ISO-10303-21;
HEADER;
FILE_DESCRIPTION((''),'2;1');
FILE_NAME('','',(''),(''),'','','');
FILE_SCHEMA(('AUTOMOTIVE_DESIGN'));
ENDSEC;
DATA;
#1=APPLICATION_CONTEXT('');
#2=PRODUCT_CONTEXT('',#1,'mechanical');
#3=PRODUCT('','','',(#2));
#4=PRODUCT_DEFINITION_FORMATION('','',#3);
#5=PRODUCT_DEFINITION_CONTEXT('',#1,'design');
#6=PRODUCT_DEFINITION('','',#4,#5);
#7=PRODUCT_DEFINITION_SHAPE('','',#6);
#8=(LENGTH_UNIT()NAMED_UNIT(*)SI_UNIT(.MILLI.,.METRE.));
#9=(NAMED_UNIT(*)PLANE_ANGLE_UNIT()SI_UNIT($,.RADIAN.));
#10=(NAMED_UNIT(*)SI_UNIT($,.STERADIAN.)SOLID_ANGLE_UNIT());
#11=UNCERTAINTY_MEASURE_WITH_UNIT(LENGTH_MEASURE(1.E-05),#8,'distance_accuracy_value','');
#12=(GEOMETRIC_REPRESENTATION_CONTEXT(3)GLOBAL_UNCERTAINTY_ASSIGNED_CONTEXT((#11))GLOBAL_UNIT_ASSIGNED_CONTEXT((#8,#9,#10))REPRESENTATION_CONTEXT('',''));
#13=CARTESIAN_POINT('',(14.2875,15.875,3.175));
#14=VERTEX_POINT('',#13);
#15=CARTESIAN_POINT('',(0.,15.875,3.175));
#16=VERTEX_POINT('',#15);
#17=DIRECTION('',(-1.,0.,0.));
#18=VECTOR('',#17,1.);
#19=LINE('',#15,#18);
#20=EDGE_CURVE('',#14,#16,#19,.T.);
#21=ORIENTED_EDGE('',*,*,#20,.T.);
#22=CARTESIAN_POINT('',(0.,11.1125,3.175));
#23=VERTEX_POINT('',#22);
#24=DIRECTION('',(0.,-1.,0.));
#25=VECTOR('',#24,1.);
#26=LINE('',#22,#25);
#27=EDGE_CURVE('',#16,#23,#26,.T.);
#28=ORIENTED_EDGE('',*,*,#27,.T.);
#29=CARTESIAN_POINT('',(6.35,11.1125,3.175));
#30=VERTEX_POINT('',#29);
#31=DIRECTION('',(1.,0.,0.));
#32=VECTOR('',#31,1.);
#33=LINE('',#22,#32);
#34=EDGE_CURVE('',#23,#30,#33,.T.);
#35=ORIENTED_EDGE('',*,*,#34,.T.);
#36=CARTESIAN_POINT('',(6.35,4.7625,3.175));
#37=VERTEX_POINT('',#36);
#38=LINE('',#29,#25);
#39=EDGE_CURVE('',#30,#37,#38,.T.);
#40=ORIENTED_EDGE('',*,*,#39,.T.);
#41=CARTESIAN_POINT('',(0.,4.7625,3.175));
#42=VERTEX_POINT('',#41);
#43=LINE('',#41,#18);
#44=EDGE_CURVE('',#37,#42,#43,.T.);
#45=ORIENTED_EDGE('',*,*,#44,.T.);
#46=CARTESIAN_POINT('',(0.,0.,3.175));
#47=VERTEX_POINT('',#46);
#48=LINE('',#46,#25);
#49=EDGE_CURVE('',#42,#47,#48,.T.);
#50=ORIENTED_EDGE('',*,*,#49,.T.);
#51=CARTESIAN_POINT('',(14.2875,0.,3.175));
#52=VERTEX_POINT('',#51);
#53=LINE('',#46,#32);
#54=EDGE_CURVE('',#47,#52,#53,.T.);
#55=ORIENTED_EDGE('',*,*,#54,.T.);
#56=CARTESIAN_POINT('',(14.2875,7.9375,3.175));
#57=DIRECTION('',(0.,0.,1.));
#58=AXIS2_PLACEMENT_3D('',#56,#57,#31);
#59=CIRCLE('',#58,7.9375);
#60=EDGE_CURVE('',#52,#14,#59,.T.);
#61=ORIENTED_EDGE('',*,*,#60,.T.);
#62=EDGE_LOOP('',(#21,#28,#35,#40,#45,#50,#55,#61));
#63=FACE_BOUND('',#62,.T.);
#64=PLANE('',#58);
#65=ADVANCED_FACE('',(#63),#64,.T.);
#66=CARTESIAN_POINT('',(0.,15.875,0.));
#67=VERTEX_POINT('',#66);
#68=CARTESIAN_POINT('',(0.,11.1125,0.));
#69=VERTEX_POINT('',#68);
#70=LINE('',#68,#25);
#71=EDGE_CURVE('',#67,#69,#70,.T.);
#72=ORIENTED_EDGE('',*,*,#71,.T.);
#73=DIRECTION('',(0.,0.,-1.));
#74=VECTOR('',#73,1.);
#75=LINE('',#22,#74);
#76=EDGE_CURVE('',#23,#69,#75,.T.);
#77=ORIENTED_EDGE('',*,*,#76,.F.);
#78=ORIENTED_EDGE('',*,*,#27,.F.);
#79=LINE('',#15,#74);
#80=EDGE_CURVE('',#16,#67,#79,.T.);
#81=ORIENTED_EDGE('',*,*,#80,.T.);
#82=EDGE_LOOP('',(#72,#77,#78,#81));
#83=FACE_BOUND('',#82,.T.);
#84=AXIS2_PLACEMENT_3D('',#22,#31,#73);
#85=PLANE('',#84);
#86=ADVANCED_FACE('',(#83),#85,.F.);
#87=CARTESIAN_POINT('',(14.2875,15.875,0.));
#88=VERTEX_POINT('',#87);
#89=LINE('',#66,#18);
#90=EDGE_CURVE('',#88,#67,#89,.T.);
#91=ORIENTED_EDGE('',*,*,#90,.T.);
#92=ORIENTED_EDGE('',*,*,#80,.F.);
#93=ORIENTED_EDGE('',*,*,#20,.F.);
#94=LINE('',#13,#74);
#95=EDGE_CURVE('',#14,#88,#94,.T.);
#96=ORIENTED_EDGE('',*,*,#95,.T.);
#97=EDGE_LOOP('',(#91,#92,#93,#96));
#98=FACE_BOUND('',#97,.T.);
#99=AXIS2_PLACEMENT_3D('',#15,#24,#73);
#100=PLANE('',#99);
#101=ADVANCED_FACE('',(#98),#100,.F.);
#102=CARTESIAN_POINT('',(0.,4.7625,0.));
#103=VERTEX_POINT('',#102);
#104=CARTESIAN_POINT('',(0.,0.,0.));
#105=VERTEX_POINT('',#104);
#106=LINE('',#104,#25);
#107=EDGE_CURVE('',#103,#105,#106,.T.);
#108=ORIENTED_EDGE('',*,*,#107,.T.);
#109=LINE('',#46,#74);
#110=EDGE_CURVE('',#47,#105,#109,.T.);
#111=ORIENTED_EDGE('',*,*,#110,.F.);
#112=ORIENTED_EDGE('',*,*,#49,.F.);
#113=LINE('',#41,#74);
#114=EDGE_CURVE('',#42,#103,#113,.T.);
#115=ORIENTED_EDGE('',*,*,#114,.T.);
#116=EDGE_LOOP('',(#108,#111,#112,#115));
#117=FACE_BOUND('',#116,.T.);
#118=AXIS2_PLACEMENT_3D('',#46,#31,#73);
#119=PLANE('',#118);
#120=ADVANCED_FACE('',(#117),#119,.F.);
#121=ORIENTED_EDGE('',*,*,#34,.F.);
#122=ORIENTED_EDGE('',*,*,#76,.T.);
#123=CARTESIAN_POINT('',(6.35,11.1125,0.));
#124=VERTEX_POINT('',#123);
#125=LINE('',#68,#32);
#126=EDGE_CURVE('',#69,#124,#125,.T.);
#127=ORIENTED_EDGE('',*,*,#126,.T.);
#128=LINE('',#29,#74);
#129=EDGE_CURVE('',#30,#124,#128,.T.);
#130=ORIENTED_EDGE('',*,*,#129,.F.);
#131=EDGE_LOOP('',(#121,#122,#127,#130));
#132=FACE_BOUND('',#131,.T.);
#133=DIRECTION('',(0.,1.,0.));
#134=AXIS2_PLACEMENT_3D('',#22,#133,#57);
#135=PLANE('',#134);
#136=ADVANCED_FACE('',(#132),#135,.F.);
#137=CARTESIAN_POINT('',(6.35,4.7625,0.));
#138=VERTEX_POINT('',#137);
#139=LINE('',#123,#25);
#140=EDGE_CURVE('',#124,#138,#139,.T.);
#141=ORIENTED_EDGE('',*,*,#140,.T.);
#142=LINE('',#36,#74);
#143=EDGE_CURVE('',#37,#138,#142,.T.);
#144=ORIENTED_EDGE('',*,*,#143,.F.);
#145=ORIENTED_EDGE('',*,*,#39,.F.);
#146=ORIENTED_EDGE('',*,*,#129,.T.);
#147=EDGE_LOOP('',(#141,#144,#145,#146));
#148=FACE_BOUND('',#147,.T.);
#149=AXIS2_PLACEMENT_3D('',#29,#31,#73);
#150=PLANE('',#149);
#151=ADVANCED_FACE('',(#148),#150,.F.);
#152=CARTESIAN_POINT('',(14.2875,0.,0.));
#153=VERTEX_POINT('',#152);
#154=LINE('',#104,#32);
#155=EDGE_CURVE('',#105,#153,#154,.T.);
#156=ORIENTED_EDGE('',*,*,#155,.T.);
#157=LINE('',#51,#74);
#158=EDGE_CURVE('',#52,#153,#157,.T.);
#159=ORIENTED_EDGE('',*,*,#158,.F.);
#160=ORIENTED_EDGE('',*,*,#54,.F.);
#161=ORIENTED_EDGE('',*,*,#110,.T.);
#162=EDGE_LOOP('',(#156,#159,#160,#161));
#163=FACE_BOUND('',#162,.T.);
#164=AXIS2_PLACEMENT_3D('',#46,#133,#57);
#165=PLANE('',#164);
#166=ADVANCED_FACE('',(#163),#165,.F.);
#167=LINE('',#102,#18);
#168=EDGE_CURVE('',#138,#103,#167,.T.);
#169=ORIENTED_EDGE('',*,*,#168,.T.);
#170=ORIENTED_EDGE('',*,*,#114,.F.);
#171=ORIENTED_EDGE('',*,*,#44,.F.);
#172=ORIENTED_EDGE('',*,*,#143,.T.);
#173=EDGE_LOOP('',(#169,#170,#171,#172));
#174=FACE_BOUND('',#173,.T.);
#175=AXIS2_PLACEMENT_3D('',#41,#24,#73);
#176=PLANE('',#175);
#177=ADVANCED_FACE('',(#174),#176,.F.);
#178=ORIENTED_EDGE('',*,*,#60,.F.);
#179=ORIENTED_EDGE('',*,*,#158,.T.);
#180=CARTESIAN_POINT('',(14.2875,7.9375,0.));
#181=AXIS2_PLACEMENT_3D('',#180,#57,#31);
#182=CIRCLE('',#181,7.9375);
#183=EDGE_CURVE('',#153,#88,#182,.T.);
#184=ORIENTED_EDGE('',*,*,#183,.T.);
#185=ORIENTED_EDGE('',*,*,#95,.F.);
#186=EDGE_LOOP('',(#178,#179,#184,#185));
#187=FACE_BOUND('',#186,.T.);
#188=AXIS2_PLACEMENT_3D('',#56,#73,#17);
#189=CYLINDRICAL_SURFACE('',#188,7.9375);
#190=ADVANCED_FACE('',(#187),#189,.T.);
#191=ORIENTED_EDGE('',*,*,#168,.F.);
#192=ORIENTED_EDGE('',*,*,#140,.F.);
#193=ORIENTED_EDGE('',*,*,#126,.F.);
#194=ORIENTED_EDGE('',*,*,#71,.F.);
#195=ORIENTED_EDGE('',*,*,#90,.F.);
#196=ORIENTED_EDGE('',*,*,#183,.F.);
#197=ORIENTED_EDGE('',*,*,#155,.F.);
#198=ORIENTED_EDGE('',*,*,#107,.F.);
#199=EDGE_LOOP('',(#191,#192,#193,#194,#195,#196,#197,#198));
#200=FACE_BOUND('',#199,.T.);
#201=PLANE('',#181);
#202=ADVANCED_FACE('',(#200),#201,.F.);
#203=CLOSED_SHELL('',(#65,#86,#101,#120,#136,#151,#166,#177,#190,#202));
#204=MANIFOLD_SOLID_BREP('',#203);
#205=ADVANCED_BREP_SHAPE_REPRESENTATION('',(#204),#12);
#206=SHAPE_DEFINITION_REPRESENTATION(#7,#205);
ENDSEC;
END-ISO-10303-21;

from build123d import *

# Parameters (mm, degrees)
BOSS_EXTRUDE1_DEPTH = 3.175


with BuildPart() as part:
    # Sketch1 → Boss-Extrude1 (new body)
    with BuildSketch(Plane.XY):
        with BuildLine():
            Line((0, 0), (14.2875, 0))
            ThreePointArc((14.2875, 0), (22.225, 7.9375), (14.2875, 15.875))
            Line((14.2875, 15.875), (0, 15.875))
            Line((0, 15.875), (0, 11.1125))
            Line((0, 11.1125), (6.35, 11.1125))
            Line((6.35, 11.1125), (6.35, 4.7625))
            Line((6.35, 4.7625), (0, 4.7625))
            Line((0, 4.7625), (0, 0))
        make_face()
    extrude(amount=BOSS_EXTRUDE1_DEPTH)


solid = part.part
